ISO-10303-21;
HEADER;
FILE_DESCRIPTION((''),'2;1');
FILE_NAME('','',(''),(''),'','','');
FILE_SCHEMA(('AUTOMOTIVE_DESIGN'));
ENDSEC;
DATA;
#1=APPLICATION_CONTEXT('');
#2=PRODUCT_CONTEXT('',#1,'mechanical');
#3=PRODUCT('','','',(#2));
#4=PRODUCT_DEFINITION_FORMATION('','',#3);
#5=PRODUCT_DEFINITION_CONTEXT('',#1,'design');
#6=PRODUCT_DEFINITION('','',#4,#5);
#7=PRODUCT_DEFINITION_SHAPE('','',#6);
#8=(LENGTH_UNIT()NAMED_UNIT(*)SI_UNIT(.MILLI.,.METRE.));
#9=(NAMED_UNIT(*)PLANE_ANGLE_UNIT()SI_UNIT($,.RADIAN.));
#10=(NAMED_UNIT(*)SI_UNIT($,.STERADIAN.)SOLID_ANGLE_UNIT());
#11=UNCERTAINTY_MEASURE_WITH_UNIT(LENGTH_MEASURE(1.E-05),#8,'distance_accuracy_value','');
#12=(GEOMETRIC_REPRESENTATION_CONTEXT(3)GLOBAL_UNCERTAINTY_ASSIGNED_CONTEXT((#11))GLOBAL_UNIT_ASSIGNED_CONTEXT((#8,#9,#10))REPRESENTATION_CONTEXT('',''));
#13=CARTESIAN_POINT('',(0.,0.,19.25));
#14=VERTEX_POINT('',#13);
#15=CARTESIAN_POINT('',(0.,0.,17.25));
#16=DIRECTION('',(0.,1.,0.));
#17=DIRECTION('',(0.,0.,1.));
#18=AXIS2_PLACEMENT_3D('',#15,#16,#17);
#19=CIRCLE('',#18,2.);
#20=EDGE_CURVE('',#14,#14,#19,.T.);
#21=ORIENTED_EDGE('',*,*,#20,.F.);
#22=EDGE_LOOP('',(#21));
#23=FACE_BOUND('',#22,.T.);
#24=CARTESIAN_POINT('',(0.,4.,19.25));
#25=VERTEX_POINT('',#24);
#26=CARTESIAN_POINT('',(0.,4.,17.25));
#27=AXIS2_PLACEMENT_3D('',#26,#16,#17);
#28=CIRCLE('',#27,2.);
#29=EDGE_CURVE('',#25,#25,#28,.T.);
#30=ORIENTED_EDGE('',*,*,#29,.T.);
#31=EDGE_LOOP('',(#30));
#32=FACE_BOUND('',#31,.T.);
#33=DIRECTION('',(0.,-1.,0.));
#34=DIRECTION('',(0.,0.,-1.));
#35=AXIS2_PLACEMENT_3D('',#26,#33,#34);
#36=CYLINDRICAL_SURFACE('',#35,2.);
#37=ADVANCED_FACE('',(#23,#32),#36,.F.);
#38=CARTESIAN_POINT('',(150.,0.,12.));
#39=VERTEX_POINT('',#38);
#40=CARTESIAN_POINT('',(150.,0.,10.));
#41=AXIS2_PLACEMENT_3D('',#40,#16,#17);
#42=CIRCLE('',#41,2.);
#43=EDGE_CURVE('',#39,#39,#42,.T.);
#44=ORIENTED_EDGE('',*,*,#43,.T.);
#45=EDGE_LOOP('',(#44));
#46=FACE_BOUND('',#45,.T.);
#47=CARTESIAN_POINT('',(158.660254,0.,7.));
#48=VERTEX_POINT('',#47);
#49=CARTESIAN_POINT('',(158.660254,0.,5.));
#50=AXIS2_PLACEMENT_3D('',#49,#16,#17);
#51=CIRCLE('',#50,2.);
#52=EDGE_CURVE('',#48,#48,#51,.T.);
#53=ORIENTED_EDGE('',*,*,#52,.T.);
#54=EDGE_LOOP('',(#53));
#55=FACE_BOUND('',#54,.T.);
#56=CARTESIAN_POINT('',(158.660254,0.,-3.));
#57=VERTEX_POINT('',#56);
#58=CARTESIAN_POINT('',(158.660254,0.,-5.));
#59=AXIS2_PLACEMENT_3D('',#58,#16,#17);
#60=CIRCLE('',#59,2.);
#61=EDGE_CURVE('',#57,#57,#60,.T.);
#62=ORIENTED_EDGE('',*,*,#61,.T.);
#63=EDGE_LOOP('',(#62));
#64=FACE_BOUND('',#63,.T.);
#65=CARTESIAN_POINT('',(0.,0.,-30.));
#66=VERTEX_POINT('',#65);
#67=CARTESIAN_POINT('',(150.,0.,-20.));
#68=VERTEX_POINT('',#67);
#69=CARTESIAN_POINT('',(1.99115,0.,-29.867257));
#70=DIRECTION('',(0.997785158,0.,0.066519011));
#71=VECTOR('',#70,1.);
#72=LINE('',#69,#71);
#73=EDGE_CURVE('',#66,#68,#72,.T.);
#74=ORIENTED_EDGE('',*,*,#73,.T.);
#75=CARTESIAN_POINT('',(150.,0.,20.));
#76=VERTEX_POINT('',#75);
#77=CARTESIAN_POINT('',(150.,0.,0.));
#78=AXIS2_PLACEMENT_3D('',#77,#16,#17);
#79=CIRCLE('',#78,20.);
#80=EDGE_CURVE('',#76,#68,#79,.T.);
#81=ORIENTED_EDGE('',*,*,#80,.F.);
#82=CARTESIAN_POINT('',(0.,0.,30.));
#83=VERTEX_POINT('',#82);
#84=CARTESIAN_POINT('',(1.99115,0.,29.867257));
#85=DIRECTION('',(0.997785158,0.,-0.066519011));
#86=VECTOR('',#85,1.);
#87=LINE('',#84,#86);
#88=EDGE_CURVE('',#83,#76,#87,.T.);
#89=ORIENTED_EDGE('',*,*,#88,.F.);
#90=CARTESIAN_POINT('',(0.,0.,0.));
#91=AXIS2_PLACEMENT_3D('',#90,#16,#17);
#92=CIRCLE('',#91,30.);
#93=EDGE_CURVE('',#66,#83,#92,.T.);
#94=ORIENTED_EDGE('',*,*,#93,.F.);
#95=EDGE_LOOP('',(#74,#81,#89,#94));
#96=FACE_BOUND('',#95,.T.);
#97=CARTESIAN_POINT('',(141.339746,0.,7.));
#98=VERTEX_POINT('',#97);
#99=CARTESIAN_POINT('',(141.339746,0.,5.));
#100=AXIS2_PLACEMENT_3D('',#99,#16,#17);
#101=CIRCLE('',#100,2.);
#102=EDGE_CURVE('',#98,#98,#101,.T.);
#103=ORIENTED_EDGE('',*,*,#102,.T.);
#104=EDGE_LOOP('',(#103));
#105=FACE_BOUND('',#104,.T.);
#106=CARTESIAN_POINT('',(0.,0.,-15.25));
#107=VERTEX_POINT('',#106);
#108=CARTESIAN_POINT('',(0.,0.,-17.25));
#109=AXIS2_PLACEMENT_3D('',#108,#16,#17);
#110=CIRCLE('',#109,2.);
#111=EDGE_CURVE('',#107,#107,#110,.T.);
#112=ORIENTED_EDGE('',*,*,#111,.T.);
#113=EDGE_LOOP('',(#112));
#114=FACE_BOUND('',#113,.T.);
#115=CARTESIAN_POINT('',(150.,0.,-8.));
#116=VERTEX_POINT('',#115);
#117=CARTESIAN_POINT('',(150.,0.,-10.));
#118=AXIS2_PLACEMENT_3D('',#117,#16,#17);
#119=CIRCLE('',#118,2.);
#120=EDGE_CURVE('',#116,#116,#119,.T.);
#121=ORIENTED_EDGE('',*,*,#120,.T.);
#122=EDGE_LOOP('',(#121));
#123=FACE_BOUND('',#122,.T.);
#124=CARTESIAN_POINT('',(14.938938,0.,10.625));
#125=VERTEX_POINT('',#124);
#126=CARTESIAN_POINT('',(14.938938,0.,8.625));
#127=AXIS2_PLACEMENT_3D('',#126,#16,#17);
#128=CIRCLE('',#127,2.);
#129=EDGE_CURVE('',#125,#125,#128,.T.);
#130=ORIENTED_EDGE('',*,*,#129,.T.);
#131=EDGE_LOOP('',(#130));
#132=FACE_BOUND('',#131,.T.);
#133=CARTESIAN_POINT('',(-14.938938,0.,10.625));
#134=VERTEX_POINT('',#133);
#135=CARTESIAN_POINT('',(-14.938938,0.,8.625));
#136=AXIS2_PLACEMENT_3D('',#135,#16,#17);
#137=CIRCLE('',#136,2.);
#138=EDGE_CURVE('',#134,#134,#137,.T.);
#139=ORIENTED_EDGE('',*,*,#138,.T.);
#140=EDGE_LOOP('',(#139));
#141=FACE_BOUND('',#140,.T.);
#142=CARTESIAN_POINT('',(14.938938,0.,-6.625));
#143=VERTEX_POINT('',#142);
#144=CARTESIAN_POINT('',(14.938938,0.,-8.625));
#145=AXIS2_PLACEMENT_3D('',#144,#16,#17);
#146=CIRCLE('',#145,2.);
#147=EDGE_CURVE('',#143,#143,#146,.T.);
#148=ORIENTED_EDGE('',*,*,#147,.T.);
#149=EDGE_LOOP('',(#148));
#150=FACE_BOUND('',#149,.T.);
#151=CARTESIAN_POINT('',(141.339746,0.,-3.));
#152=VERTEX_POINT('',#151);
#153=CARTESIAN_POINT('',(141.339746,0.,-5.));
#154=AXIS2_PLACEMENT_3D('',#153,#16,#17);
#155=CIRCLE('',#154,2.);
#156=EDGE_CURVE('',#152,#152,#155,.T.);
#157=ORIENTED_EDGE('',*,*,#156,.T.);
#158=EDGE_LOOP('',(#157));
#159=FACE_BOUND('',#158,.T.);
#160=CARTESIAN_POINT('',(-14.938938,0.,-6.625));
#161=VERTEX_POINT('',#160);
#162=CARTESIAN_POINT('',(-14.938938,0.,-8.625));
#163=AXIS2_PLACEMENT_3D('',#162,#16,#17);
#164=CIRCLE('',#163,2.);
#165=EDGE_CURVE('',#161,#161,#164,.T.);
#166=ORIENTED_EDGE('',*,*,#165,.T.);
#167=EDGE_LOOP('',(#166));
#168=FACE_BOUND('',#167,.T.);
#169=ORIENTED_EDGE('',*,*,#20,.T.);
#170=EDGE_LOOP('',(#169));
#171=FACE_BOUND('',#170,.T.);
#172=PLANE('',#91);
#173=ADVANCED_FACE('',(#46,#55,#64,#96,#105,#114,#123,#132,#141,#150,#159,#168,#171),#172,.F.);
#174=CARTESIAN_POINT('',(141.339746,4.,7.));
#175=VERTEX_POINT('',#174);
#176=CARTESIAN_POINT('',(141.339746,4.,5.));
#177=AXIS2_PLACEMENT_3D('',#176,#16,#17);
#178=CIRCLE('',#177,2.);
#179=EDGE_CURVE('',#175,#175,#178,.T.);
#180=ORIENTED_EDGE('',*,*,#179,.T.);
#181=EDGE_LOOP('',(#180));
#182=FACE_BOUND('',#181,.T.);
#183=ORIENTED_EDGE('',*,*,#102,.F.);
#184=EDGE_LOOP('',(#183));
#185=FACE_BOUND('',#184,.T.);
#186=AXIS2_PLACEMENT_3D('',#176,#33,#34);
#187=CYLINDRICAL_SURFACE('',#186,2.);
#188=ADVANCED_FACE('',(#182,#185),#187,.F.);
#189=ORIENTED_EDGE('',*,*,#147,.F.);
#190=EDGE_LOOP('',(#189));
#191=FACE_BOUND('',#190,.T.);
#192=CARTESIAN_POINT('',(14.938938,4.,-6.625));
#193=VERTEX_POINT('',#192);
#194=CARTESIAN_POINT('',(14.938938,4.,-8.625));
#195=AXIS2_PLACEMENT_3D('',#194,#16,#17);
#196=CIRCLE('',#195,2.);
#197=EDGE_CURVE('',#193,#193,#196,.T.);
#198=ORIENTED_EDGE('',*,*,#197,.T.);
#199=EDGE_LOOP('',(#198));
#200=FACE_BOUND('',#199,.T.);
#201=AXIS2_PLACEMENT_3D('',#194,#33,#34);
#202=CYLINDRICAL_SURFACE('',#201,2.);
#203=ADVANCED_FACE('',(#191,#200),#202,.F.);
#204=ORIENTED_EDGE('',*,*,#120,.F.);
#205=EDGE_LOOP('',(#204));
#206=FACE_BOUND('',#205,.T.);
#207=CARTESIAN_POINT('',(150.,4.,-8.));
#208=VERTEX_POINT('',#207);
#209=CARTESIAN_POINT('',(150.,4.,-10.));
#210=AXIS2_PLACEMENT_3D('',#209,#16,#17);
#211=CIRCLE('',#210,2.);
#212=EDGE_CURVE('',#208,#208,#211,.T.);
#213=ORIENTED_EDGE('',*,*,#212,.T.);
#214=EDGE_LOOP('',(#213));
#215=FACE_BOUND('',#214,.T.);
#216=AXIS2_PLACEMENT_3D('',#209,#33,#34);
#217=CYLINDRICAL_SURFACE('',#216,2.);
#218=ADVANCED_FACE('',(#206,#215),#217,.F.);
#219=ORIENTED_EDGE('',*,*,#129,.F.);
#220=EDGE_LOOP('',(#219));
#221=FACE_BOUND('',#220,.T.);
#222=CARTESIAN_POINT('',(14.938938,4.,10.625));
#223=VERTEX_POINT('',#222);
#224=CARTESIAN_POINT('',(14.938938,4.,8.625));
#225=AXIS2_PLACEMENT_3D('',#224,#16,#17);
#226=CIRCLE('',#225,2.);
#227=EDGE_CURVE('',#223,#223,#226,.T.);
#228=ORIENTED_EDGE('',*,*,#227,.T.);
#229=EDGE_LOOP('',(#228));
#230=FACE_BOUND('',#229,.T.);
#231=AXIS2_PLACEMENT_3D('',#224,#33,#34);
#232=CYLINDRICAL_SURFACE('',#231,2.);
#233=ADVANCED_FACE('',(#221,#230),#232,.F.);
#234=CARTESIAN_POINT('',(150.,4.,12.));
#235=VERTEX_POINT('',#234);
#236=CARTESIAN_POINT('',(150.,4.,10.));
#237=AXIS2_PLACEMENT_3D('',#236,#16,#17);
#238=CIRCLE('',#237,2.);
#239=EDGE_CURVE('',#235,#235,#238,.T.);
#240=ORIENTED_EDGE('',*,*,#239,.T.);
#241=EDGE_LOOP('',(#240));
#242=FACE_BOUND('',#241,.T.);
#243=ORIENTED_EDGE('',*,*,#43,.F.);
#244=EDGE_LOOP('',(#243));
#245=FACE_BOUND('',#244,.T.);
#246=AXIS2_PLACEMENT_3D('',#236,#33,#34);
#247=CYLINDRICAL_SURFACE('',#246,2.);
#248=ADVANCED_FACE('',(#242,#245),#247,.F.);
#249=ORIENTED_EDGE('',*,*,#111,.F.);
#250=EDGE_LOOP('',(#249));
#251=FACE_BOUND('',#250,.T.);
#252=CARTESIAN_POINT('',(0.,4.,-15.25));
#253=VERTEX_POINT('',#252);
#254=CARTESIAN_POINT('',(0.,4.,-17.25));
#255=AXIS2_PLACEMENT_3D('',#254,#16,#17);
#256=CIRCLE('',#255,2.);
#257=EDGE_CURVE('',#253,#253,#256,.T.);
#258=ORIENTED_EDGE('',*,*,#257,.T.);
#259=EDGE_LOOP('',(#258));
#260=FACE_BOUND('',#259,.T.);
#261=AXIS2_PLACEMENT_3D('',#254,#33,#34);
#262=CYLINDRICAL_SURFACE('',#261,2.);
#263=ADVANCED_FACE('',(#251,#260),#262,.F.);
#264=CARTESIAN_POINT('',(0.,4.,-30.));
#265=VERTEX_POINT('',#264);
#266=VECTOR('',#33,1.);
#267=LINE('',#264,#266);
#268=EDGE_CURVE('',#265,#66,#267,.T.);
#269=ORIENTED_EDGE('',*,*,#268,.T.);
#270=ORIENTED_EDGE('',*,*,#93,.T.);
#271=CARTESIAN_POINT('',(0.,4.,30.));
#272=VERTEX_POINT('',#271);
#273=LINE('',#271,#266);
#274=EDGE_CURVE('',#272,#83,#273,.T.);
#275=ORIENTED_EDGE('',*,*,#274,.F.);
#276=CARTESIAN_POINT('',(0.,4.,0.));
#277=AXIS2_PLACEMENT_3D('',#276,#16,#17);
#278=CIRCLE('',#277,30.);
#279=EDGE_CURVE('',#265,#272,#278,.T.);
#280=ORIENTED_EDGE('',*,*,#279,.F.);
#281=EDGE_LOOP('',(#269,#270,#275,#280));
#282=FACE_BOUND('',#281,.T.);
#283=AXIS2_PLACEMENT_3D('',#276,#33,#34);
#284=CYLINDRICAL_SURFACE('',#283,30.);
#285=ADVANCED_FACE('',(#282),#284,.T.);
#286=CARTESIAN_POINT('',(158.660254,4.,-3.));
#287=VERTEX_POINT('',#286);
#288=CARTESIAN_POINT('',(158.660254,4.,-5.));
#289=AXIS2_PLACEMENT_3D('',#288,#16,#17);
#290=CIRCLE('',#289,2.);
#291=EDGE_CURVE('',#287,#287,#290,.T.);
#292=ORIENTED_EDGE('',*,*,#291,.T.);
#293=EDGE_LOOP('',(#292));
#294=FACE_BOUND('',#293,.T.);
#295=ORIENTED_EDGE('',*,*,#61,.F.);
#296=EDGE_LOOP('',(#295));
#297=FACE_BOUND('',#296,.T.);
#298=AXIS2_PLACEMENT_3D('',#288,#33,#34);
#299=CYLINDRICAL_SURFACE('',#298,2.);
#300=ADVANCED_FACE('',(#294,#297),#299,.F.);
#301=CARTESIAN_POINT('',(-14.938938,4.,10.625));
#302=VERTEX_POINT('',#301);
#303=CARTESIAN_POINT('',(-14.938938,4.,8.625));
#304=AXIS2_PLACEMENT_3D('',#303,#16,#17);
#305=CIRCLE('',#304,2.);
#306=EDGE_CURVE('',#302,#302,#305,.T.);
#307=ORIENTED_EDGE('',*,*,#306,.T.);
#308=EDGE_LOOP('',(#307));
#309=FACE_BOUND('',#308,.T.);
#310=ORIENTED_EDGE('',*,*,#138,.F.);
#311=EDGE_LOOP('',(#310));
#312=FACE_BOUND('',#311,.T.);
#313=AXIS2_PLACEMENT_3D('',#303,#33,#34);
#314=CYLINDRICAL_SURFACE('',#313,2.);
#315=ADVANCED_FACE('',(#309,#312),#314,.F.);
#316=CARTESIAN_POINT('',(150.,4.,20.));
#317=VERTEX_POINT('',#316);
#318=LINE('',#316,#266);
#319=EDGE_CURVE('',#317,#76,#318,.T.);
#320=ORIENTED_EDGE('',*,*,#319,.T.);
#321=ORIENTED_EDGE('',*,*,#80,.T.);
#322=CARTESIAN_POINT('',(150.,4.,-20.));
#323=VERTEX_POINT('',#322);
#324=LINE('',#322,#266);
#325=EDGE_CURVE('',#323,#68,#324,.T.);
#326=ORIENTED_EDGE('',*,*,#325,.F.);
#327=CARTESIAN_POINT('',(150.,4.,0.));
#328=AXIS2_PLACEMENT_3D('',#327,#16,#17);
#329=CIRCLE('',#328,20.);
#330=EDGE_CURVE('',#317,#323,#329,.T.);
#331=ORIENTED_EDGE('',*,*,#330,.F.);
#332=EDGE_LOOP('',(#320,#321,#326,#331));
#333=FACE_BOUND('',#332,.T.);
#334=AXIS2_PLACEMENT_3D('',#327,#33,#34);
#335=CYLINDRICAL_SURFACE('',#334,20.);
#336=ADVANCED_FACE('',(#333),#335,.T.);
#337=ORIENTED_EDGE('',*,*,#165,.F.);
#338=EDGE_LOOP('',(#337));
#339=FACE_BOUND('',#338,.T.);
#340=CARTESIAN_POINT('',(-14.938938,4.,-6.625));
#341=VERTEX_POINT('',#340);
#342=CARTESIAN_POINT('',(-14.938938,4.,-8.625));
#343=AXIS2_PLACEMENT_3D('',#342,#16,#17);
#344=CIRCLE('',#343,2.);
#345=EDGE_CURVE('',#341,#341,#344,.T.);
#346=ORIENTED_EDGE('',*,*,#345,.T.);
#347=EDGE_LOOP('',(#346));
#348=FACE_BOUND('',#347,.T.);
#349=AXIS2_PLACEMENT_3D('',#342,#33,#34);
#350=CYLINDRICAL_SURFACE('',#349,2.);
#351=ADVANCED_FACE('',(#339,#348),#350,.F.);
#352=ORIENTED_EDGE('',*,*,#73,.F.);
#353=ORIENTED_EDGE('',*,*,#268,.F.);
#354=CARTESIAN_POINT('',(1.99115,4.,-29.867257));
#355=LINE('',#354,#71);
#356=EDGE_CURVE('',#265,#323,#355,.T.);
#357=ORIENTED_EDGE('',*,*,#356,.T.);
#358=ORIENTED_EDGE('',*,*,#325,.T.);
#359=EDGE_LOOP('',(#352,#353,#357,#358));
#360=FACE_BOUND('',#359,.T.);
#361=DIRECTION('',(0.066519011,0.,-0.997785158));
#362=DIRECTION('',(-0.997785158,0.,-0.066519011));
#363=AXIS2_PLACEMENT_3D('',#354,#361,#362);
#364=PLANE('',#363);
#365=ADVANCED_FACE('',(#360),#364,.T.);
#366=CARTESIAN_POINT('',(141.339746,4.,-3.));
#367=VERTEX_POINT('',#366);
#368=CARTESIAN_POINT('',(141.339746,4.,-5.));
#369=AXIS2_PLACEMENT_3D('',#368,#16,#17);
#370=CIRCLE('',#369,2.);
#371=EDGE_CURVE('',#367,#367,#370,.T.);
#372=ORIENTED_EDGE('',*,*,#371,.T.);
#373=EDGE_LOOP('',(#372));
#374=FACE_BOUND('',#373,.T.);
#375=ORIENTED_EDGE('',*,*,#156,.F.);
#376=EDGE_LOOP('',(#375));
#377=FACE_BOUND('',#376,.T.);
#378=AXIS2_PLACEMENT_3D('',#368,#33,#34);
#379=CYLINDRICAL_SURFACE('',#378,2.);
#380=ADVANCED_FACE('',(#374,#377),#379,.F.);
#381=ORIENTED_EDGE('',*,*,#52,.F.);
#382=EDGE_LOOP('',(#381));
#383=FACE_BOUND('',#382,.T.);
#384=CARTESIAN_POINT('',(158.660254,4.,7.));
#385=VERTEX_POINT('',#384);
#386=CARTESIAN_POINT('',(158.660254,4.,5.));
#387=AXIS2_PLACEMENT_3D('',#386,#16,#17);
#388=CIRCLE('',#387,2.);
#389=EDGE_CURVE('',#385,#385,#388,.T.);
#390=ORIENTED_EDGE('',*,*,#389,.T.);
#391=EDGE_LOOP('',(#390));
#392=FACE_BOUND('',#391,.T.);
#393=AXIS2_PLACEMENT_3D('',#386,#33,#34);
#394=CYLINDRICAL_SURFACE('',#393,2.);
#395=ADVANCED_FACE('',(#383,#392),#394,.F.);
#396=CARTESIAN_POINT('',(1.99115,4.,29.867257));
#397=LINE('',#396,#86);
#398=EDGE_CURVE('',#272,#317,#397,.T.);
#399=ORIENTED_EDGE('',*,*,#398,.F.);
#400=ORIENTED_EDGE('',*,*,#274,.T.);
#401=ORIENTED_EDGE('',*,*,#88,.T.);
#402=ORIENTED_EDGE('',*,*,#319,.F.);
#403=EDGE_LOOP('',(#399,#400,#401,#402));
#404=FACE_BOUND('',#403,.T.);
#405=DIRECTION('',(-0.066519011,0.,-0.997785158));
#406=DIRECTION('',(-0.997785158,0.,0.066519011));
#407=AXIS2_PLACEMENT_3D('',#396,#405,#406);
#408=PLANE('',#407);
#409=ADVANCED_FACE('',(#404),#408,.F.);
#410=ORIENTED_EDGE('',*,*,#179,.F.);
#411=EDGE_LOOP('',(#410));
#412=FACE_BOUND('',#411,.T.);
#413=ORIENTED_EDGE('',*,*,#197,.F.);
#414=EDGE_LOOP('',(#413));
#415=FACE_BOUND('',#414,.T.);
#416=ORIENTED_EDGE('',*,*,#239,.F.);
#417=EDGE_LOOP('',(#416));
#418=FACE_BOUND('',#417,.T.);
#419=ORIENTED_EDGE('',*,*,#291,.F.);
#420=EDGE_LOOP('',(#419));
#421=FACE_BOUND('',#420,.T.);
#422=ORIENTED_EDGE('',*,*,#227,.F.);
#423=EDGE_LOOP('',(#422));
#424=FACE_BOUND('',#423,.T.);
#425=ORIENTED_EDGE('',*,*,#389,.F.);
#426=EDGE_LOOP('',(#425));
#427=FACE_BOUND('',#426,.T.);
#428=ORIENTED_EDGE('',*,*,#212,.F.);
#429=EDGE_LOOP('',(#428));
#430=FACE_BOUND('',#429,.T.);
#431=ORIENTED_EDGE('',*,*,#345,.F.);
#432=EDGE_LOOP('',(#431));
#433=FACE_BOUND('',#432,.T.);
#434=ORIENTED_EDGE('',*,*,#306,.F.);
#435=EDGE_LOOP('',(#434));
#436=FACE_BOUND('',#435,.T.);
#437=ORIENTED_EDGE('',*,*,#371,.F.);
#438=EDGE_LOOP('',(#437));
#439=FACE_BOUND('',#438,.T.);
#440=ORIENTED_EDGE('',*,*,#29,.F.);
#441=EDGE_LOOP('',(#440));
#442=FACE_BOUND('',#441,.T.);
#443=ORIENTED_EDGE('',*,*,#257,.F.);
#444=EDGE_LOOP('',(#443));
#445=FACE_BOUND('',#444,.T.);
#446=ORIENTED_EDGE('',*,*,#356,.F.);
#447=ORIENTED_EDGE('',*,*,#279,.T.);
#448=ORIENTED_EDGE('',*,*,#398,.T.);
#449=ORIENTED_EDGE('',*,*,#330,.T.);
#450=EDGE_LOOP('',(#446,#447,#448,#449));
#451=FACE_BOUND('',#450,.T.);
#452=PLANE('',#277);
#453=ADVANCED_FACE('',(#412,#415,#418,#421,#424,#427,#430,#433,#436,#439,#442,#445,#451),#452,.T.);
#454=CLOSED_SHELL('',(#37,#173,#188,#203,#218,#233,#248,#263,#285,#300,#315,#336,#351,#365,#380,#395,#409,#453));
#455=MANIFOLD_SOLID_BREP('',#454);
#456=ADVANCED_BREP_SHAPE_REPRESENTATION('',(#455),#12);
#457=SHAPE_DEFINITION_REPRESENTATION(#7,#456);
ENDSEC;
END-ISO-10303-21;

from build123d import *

# Parameters (mm, degrees)
SKETCH_1_R      = 2
EXTRUDE_2_DEPTH = 4


with BuildPart() as part:
    # 草图1 → 凸台-拉伸2 (new body)
    with BuildSketch(Plane(origin=(0, 0, 0), x_dir=(1, 0, 0), z_dir=(0, 1, 0))):
        with BuildLine():
            Line((0, -30), (150, -20))
            ThreePointArc((150, -20), (170, 0), (150, 20))
            Line((150, 20), (0, 30))
            ThreePointArc((0, 30), (-30, 0), (0, -30))
        make_face()
        with Locations(Location((0, -17.25, 0), (0, 0, 270))):
            Circle(SKETCH_1_R, mode=Mode.SUBTRACT)
        with Locations(Location((-14.938938215, -8.625, 0), (0, 0, 270))):
            Circle(SKETCH_1_R, mode=Mode.SUBTRACT)
        with Locations(Location((14.938938215, -8.625, 0), (0, 0, 270))):
            Circle(SKETCH_1_R, mode=Mode.SUBTRACT)
        with Locations(Location((-14.938938215, 8.625, 0), (0, 0, 270))):
            Circle(SKETCH_1_R, mode=Mode.SUBTRACT)
        with Locations(Location((14.938938215, 8.625, 0), (0, 0, 270))):
            Circle(SKETCH_1_R, mode=Mode.SUBTRACT)
        with Locations(Location((0, 17.25, 0), (0, 0, 270))):
            Circle(SKETCH_1_R, mode=Mode.SUBTRACT)
        with Locations(Location((141.339745962, -5, 0), (0, 0, 270))):
            Circle(SKETCH_1_R, mode=Mode.SUBTRACT)
        with Locations(Location((150, -10, 0), (0, 0, 270))):
            Circle(SKETCH_1_R, mode=Mode.SUBTRACT)
        with Locations(Location((158.660254038, -5, 0), (0, 0, 270))):
            Circle(SKETCH_1_R, mode=Mode.SUBTRACT)
        with Locations(Location((158.660254038, 5, 0), (0, 0, 270))):
            Circle(SKETCH_1_R, mode=Mode.SUBTRACT)
        with Locations(Location((150, 10, 0), (0, 0, 270))):
            Circle(SKETCH_1_R, mode=Mode.SUBTRACT)
        with Locations(Location((141.339745962, 5, 0), (0, 0, 270))):
            Circle(SKETCH_1_R, mode=Mode.SUBTRACT)
    extrude(amount=EXTRUDE_2_DEPTH)


solid = part.part
